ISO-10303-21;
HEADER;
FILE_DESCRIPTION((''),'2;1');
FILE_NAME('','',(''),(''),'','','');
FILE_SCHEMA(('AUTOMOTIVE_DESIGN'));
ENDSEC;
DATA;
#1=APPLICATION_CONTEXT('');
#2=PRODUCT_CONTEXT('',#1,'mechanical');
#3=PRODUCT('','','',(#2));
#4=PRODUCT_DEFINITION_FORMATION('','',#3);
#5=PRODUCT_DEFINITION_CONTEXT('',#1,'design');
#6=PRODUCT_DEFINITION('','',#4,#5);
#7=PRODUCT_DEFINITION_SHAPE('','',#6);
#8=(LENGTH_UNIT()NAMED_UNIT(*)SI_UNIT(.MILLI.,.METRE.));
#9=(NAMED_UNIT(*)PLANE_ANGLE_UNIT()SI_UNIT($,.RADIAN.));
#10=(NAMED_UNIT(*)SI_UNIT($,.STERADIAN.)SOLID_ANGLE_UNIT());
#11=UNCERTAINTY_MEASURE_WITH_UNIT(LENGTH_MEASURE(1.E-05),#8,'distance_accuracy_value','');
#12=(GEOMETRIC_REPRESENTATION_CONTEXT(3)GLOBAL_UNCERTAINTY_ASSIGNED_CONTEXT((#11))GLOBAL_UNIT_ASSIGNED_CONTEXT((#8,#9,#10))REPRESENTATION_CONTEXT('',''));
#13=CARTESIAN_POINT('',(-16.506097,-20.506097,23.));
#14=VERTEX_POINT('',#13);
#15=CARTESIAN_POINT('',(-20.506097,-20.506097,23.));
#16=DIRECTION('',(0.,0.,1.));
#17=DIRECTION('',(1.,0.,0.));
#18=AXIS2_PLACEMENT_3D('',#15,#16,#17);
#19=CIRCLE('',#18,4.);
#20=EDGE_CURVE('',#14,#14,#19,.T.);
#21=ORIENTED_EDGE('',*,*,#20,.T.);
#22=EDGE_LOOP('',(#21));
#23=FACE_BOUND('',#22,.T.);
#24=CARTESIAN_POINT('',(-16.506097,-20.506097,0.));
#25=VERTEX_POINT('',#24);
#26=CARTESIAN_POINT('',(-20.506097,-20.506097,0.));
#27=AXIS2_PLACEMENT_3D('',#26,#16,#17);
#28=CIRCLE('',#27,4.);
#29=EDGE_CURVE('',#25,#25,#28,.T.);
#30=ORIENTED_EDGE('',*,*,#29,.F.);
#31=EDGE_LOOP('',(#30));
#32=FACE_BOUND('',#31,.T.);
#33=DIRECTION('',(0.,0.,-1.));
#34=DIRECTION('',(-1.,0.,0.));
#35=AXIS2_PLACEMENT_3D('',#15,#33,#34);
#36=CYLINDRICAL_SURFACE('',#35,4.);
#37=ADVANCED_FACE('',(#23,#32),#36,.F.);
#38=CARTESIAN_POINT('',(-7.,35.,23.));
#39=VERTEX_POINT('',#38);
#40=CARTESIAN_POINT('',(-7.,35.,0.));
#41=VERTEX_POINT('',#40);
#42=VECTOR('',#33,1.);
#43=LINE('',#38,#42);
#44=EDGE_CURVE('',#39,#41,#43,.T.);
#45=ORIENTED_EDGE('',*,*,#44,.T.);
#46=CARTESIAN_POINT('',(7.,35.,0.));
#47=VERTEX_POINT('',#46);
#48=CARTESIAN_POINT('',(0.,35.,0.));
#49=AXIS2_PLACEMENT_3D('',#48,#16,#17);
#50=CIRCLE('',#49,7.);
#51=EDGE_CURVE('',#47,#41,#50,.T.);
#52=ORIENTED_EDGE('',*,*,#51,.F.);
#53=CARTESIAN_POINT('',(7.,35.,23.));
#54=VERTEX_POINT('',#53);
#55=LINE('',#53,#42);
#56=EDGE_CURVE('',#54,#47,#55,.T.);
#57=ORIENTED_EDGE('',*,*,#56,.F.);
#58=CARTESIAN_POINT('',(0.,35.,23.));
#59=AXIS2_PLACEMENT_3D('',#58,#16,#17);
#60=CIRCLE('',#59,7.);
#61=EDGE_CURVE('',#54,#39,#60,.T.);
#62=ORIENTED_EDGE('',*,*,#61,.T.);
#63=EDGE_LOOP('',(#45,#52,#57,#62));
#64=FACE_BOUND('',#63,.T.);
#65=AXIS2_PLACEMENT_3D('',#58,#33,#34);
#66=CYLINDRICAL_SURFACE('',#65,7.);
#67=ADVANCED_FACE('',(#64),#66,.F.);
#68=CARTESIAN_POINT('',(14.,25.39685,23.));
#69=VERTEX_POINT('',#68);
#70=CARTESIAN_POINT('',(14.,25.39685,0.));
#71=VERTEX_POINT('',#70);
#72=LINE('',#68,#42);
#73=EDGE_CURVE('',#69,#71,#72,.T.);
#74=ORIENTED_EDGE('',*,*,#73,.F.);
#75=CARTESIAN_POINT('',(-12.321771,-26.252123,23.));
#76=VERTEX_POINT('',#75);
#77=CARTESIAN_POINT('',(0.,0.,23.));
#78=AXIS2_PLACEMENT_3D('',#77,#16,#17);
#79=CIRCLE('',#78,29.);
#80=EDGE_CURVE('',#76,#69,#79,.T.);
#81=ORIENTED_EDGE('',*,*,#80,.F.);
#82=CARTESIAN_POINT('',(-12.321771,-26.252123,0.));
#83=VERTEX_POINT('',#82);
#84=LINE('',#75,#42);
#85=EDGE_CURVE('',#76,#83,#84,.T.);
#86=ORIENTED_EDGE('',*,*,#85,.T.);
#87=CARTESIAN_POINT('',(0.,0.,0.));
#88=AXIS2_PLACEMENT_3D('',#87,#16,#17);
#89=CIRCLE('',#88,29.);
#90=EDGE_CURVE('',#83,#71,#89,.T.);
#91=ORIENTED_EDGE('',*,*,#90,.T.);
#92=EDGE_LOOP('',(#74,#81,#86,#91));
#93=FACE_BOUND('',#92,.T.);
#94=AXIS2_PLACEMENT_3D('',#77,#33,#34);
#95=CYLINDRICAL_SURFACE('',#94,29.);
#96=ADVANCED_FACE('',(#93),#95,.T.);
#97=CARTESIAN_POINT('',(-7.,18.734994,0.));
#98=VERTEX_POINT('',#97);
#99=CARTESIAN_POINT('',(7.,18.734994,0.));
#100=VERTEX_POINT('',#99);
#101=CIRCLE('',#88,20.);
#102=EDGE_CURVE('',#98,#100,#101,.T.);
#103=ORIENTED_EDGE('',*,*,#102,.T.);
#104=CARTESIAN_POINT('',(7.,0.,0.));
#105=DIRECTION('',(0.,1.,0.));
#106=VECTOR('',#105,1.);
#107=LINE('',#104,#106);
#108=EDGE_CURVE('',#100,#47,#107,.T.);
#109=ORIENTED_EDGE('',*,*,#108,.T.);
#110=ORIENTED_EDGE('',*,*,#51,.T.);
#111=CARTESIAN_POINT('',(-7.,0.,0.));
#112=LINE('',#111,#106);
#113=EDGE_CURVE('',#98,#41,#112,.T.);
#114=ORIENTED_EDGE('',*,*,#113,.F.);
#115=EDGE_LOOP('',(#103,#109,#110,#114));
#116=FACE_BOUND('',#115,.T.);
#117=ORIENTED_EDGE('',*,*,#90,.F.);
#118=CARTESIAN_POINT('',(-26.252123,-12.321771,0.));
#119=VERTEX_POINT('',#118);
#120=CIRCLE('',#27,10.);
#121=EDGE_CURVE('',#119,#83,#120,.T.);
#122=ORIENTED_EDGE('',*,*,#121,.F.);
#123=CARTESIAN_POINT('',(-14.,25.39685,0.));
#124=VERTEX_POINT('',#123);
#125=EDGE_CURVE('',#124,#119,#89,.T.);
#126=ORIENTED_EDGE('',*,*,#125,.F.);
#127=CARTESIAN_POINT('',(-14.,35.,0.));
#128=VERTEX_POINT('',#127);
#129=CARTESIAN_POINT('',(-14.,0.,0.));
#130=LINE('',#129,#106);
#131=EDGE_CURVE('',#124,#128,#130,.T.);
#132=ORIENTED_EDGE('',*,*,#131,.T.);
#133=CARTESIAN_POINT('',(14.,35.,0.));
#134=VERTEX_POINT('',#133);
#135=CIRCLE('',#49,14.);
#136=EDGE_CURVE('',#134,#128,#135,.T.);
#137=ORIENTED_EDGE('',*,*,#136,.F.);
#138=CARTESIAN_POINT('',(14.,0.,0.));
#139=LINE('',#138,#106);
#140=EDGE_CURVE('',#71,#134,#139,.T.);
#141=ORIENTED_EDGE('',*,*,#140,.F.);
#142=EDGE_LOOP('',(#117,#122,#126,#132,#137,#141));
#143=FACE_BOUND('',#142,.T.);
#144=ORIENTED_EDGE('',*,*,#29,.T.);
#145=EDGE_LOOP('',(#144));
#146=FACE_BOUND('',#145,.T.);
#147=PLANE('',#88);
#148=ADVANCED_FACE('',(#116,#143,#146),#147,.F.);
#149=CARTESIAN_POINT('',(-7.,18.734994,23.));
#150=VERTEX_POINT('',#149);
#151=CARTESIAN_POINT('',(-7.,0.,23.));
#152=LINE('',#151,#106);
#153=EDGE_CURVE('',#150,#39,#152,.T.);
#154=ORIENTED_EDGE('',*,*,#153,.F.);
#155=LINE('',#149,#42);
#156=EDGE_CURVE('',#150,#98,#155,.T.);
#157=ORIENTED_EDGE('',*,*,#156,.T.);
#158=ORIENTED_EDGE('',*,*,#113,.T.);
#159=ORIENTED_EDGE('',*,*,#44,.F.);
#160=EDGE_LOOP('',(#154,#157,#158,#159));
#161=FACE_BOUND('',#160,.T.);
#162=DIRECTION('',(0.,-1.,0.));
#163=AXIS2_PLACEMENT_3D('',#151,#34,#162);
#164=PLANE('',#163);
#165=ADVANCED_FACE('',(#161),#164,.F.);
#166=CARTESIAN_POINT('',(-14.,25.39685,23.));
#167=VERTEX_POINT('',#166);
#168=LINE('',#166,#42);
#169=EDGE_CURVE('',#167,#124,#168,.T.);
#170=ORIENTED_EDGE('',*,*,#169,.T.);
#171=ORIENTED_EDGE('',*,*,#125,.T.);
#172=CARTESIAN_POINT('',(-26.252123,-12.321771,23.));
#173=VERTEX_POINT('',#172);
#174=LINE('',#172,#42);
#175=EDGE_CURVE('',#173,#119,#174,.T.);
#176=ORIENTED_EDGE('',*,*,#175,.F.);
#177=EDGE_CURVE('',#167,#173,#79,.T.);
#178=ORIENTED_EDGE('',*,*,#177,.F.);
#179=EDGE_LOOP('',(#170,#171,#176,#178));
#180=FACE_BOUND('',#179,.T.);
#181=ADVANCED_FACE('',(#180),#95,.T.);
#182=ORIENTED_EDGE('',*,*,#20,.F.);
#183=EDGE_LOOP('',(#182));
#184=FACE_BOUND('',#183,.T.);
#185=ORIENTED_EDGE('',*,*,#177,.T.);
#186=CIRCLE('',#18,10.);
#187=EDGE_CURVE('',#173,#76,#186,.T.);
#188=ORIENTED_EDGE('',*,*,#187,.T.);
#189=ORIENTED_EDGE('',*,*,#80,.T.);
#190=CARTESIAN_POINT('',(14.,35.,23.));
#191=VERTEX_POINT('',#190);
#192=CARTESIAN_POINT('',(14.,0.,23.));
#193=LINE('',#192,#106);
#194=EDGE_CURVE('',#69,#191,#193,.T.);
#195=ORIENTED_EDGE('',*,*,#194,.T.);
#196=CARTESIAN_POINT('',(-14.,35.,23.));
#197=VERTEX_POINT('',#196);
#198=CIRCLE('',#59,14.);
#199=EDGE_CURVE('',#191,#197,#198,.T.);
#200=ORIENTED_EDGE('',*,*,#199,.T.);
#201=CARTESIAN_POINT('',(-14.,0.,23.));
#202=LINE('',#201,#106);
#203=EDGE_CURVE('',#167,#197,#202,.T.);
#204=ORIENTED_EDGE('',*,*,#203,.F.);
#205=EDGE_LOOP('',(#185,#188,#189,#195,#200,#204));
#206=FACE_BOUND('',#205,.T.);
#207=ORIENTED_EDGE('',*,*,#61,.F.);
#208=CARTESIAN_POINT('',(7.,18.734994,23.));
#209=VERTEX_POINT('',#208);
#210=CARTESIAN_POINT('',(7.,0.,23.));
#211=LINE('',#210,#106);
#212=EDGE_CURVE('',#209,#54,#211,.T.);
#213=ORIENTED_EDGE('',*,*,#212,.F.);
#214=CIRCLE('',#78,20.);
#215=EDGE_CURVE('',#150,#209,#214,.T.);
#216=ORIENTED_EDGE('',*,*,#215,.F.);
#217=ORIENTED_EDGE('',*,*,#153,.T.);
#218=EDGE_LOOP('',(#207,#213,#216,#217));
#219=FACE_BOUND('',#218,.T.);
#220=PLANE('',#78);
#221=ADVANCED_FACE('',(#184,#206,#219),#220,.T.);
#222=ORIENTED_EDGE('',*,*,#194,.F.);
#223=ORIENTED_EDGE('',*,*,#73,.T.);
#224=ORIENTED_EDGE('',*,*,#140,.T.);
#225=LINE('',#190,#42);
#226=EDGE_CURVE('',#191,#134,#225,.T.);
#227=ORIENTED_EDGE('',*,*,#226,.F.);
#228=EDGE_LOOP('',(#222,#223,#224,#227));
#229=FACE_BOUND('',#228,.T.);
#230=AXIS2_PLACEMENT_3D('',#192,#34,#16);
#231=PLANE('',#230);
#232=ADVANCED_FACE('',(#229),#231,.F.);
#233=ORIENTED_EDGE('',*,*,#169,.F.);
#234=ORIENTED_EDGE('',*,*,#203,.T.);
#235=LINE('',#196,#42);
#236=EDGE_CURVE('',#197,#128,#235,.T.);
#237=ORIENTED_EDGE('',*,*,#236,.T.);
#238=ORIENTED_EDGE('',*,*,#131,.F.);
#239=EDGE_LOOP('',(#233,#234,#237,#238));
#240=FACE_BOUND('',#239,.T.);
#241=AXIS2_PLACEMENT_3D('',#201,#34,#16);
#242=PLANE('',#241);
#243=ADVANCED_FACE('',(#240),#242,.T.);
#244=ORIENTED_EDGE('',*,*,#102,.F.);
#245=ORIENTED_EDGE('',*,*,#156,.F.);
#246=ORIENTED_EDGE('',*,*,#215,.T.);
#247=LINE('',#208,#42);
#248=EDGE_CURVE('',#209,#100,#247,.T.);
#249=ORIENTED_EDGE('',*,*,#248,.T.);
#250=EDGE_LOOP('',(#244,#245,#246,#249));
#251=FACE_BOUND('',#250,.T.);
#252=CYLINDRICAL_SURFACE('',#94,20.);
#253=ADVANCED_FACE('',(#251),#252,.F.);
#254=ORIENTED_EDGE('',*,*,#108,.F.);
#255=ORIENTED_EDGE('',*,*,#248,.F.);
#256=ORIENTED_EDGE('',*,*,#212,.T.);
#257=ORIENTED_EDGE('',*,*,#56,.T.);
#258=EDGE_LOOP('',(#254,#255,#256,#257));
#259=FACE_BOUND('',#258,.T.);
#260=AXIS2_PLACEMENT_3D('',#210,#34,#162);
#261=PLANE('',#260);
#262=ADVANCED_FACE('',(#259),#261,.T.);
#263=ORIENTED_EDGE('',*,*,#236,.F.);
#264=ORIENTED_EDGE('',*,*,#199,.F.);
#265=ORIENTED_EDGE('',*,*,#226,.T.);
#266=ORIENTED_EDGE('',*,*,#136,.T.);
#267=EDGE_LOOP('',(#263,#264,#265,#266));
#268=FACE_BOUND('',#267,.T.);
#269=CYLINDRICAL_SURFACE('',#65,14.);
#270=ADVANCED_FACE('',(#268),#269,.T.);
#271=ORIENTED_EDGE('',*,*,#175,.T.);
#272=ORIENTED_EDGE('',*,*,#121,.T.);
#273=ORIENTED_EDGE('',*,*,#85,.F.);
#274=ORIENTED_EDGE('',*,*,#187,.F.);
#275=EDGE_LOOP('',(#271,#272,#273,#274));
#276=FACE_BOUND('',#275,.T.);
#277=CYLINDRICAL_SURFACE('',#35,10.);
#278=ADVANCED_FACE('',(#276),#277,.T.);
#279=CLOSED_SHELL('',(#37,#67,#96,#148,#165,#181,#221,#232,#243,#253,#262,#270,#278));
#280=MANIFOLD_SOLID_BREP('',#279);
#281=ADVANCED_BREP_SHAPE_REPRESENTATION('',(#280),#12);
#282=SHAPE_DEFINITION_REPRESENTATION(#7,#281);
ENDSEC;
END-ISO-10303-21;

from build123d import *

# Parameters (mm, degrees)
SKETCH_1_R      = 4
EXTRUDE_1_DEPTH = 23


with BuildPart() as part:
    # Sketch 1 → Extrude 1 (new body)
    with BuildSketch(Plane.XY):
        with BuildLine():
            Line((14, 25.396850198), (14, 35))
            ThreePointArc((14, 35), (0, 49), (-14, 35))
            Line((-14, 35), (-14, 25.396850198))
            ThreePointArc((-14, 25.396850198), (-27.581369596, 8.959243897), (-26.252122851, -12.321771212))
            ThreePointArc((-26.252122851, -12.321771212), (-27.577164466, -27.577164466), (-12.321771212, -26.252122851))
            ThreePointArc((-12.321771212, -26.252122851), (25.83811559, -13.167831361), (14, 25.396850198))
        make_face()
        with BuildLine():
            Line((-7, 18.734993995), (-7, 35))
            ThreePointArc((-7, 35), (0, 42), (7, 35))
            Line((7, 35), (7, 18.734993995))
            ThreePointArc((7, 18.734993995), (0, -20), (-7, 18.734993995))
        make_face(mode=Mode.SUBTRACT)
        with Locations((-20.506096654, -20.506096654)):
            Circle(SKETCH_1_R, mode=Mode.SUBTRACT)
    extrude(amount=EXTRUDE_1_DEPTH)


solid = part.part
